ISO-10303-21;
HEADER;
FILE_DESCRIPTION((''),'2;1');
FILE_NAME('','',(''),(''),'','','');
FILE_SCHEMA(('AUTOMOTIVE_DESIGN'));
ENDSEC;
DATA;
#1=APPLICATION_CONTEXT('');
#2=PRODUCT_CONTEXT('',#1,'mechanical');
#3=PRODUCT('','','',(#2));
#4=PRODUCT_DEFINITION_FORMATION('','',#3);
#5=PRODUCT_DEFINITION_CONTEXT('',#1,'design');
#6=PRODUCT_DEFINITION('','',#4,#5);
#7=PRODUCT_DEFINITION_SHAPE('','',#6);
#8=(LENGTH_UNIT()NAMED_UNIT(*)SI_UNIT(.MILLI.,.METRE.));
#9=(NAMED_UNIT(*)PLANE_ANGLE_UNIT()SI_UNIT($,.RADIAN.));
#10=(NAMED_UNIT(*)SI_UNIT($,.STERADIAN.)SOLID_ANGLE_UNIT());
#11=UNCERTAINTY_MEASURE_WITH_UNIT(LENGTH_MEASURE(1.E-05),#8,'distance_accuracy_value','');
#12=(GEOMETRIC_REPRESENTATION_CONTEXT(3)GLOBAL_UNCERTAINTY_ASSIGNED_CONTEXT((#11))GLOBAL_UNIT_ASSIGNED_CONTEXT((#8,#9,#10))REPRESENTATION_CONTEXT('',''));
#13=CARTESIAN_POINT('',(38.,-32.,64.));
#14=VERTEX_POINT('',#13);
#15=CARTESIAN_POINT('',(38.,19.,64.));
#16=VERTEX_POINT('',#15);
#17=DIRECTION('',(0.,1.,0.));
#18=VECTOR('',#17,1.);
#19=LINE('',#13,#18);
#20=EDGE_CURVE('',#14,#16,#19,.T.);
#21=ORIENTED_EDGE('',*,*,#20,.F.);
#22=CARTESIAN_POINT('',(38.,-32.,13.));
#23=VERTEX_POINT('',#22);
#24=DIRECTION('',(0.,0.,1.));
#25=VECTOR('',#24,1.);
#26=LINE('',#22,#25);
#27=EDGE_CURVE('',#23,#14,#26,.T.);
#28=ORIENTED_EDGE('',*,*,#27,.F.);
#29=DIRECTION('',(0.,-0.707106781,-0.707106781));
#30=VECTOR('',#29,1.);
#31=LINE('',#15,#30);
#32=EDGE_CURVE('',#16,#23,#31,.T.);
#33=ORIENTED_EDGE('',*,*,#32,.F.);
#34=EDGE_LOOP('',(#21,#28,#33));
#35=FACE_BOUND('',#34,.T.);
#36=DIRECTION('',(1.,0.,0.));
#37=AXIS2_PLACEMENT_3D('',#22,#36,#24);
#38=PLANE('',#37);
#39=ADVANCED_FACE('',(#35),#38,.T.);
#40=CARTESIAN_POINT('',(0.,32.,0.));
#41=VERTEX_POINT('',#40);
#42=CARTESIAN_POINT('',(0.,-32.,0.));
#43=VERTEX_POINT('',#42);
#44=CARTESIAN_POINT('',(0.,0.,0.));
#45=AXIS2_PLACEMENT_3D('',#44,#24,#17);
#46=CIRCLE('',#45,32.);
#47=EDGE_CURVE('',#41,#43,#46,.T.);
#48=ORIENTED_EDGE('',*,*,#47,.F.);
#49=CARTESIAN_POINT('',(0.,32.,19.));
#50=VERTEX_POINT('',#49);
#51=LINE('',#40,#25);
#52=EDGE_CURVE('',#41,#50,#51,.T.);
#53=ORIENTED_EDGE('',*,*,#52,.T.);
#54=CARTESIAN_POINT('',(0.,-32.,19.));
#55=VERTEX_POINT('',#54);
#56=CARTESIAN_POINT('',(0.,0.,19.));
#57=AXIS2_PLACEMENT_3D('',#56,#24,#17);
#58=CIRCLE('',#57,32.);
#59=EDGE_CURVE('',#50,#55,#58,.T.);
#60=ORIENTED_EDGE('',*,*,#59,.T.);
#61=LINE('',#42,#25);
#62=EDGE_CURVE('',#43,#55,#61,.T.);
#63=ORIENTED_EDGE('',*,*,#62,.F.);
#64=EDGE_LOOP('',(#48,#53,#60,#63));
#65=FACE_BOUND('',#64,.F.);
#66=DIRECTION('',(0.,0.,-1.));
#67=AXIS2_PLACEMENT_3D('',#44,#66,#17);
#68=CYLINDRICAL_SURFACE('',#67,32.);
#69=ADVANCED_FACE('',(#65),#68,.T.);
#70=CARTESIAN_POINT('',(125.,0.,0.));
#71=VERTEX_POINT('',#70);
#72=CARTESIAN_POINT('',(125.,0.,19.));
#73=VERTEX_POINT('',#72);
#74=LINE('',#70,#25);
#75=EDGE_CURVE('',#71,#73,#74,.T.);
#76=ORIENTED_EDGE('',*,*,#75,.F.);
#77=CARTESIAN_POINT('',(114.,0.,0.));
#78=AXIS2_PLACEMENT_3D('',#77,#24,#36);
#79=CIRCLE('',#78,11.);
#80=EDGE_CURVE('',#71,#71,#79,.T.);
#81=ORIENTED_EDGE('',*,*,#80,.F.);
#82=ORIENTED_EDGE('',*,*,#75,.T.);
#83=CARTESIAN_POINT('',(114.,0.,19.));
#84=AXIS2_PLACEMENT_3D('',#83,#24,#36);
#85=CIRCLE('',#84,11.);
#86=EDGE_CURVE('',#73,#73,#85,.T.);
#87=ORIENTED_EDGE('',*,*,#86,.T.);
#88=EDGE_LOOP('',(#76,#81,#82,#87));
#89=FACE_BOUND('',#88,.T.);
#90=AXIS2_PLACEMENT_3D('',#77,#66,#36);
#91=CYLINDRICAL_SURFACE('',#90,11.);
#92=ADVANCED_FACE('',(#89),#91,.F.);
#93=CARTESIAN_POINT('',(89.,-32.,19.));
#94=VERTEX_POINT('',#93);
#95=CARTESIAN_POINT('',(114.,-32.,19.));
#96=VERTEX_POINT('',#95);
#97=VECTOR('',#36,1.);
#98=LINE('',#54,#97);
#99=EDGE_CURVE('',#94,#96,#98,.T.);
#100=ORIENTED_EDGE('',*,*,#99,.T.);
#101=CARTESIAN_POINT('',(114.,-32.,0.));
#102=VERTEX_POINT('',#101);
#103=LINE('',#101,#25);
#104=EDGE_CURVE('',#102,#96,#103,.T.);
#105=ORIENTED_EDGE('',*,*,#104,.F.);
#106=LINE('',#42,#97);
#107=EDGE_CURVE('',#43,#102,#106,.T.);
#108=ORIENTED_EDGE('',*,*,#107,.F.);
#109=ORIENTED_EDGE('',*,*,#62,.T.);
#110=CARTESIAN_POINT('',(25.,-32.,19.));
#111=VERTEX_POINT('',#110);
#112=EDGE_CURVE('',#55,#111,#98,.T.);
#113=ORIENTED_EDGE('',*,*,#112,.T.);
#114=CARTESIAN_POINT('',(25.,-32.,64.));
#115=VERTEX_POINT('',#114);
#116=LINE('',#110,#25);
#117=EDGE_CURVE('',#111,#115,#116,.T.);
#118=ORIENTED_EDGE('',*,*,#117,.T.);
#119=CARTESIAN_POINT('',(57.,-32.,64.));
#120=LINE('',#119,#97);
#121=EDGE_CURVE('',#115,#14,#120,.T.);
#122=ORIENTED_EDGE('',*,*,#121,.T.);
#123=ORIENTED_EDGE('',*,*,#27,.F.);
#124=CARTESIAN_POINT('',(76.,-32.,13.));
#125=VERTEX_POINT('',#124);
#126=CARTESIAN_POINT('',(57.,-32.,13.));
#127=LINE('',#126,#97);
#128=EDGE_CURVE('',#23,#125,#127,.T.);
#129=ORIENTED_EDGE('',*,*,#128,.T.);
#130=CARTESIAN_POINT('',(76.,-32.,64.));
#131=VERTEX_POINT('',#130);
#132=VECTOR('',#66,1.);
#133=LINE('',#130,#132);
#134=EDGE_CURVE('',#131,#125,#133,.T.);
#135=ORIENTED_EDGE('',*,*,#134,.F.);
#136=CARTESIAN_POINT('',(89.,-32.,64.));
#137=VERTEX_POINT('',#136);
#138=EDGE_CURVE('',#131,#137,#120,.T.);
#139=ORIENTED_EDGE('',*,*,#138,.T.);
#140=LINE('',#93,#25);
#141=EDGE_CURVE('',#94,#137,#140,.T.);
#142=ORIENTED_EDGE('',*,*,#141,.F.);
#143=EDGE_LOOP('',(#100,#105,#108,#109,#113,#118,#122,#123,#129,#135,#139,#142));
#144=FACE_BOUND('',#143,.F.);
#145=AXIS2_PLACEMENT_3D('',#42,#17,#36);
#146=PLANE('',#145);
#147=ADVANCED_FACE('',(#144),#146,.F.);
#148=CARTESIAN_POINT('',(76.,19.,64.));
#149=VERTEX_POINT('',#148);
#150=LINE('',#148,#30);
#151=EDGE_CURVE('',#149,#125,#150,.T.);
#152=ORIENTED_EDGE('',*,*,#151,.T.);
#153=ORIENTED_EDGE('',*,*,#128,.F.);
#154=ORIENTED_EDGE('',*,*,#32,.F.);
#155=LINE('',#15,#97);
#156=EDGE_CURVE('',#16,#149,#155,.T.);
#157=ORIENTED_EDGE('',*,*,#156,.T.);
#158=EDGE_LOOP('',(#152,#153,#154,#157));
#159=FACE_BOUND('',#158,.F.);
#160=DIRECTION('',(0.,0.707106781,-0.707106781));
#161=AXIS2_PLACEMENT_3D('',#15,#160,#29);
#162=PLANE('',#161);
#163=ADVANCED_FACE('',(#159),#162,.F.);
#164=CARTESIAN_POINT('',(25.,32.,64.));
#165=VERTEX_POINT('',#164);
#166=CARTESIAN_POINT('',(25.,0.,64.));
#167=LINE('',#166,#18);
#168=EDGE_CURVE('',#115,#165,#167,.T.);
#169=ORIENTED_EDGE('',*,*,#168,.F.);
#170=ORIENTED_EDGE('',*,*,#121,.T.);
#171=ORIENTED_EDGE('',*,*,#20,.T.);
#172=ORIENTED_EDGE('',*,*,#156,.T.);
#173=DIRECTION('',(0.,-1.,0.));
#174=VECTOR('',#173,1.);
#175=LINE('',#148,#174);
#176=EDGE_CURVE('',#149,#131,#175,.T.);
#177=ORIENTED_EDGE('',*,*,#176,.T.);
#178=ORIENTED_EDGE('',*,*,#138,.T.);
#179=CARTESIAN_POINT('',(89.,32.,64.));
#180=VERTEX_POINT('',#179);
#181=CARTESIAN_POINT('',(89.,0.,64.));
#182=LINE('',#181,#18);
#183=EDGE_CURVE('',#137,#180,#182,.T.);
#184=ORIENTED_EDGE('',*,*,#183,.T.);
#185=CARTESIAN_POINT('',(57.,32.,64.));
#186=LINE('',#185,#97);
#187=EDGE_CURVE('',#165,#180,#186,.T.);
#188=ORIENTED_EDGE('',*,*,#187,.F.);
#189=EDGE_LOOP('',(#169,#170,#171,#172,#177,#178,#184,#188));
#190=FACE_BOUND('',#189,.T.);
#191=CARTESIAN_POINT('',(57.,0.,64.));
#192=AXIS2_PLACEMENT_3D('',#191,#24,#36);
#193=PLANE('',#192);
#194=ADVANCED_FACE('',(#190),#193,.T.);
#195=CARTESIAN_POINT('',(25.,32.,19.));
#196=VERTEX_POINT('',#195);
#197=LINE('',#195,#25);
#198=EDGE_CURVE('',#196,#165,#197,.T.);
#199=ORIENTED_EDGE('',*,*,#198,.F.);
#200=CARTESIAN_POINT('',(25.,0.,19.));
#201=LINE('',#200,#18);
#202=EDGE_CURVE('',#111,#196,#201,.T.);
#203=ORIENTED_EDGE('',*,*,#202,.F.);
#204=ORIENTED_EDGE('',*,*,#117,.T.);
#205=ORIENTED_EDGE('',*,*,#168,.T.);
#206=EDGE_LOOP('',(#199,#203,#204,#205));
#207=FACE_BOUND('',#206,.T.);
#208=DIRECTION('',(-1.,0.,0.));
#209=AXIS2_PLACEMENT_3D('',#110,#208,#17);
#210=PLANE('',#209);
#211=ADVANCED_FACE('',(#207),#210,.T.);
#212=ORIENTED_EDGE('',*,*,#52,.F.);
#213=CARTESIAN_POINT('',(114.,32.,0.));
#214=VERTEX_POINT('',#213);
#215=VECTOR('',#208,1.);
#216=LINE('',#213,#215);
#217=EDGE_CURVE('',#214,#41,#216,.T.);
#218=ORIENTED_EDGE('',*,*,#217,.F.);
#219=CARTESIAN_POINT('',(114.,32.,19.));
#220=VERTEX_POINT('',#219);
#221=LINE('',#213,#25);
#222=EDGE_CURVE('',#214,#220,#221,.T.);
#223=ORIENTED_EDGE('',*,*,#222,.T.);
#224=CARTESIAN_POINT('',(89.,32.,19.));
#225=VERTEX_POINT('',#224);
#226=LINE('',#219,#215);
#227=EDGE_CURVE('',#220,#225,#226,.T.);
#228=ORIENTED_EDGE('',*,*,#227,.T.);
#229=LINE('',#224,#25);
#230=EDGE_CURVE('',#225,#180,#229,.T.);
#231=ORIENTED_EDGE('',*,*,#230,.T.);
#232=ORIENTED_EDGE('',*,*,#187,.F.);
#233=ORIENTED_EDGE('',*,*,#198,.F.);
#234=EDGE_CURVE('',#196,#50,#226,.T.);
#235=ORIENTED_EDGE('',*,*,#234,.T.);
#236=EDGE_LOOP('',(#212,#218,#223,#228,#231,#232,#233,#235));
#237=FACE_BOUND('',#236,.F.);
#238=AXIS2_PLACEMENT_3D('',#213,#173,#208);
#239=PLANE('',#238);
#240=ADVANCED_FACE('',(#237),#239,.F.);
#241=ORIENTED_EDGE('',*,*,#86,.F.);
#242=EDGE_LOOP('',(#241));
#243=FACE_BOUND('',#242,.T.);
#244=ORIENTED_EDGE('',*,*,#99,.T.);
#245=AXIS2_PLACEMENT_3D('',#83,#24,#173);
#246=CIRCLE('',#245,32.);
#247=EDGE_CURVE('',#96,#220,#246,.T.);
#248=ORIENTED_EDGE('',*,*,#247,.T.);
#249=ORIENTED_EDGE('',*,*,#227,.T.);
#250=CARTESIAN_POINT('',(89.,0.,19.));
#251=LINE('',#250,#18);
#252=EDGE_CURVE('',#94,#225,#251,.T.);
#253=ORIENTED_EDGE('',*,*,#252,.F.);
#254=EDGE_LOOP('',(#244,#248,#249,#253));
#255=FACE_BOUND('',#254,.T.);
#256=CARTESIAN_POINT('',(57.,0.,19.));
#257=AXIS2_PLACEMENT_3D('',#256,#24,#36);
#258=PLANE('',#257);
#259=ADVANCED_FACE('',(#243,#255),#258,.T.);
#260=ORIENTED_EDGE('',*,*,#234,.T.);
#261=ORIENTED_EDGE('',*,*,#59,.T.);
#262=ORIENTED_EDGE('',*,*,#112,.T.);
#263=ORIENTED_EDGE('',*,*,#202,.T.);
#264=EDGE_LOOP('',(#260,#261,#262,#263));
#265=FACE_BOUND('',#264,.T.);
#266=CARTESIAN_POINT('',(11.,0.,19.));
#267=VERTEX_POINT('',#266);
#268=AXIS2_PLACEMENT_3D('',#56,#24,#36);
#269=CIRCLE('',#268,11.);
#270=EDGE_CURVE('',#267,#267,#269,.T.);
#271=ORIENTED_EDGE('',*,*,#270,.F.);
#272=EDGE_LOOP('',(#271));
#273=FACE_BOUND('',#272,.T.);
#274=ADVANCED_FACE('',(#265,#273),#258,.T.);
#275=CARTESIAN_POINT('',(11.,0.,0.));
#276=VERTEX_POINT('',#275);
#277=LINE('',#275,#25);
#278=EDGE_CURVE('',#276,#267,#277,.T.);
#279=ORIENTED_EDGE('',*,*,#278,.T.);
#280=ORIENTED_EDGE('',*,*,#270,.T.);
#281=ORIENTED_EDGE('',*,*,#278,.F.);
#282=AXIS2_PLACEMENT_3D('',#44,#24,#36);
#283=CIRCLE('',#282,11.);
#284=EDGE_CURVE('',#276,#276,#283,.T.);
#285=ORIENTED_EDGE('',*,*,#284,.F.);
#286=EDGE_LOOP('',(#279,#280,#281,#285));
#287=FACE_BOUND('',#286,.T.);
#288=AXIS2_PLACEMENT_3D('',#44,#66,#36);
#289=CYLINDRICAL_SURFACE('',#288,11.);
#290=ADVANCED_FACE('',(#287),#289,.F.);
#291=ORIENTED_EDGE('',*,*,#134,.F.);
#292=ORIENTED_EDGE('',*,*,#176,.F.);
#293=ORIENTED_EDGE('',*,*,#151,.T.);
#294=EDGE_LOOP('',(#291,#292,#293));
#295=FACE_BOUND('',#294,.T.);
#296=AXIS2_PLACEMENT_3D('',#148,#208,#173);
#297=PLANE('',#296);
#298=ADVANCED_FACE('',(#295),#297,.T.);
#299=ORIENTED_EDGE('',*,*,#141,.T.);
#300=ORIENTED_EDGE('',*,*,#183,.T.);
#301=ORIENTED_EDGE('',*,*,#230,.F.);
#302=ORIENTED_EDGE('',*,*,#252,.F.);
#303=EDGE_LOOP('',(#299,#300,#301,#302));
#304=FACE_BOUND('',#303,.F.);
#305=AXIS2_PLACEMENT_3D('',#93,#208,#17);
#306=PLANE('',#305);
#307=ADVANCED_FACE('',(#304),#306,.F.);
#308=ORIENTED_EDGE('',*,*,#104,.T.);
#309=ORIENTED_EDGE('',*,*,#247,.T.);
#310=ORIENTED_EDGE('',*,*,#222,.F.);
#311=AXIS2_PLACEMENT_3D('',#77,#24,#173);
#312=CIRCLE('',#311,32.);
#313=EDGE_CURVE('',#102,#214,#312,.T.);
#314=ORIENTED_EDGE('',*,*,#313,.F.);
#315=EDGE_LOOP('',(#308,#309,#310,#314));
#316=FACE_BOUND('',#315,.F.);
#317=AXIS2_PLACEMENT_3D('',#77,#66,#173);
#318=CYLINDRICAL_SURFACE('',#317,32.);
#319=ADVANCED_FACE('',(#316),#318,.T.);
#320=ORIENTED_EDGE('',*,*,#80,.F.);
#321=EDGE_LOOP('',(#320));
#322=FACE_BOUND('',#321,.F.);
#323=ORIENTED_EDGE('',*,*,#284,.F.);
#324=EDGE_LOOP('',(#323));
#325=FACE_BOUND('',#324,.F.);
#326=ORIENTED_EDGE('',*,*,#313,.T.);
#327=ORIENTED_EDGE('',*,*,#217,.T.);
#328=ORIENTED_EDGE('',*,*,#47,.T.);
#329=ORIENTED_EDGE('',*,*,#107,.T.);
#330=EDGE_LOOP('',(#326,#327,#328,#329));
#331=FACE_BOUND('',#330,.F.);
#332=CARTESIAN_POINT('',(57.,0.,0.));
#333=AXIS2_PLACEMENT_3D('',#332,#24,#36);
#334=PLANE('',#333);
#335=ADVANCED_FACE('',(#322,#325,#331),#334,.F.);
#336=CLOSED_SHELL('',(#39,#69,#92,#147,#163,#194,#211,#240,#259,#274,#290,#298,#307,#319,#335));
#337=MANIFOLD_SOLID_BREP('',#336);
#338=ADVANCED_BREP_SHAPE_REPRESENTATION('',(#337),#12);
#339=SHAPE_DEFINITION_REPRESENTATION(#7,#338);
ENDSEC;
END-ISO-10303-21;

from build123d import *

# Parameters (mm, degrees)
SKETCH1_R           = 11
BOSS_EXTRUDE1_DEPTH = 19
SKETCH3_W           = 64
SKETCH3_H           = 64
BOSS_EXTRUDE2_DEPTH = 45
CUT_EXTRUDE9_DEPTH  = 45
SKETCH6_W           = 38
SKETCH6_H           = 6
CUT_EXTRUDE10_DEPTH = 51
BOSS_EXTRUDE3_DEPTH = 38


with BuildPart() as part:
    # Sketch1 → Boss-Extrude1 (new body)
    with BuildSketch(Plane.XY):
        with BuildLine():
            Line((0, -32), (114, -32))
            ThreePointArc((114, -32), (146, 0), (114, 32))
            Line((114, 32), (0, 32))
            ThreePointArc((0, 32), (-32, 0), (0, -32))
        make_face()
        Circle(SKETCH1_R, mode=Mode.SUBTRACT)
        with Locations((114, 0)):
            Circle(SKETCH1_R, mode=Mode.SUBTRACT)
    extrude(amount=BOSS_EXTRUDE1_DEPTH)

    # Sketch3 → Boss-Extrude2 (add)
    with BuildSketch(Plane.XY.offset(19)):
        with Locations((57, 0)):
            Rectangle(SKETCH3_W, SKETCH3_H)
    extrude(amount=BOSS_EXTRUDE2_DEPTH)

    # Sketch5 → Cut-Extrude9 (cut)
    with BuildSketch(Plane.XY.offset(64)):
        Polygon((38, 19), (76, 19), (76, -32), (57, -32), (38, -32), align=None)
    extrude(amount=-CUT_EXTRUDE9_DEPTH, mode=Mode.SUBTRACT)

    # Sketch6 → Cut-Extrude10 (cut)
    with BuildSketch(Plane.XZ.offset(32)):
        with Locations((57, 16)):
            Rectangle(SKETCH6_W, SKETCH6_H)
    extrude(amount=-CUT_EXTRUDE10_DEPTH, mode=Mode.SUBTRACT)

    # Sketch7 → Boss-Extrude3 (add)
    with BuildSketch(Plane(origin=(38, 0, 0), x_dir=(0, 0, -1), z_dir=(1, 0, 0))):
        Polygon((-64, 19), (-13, -32), (-13, 19), align=None)
    extrude(amount=BOSS_EXTRUDE3_DEPTH)


solid = part.part
